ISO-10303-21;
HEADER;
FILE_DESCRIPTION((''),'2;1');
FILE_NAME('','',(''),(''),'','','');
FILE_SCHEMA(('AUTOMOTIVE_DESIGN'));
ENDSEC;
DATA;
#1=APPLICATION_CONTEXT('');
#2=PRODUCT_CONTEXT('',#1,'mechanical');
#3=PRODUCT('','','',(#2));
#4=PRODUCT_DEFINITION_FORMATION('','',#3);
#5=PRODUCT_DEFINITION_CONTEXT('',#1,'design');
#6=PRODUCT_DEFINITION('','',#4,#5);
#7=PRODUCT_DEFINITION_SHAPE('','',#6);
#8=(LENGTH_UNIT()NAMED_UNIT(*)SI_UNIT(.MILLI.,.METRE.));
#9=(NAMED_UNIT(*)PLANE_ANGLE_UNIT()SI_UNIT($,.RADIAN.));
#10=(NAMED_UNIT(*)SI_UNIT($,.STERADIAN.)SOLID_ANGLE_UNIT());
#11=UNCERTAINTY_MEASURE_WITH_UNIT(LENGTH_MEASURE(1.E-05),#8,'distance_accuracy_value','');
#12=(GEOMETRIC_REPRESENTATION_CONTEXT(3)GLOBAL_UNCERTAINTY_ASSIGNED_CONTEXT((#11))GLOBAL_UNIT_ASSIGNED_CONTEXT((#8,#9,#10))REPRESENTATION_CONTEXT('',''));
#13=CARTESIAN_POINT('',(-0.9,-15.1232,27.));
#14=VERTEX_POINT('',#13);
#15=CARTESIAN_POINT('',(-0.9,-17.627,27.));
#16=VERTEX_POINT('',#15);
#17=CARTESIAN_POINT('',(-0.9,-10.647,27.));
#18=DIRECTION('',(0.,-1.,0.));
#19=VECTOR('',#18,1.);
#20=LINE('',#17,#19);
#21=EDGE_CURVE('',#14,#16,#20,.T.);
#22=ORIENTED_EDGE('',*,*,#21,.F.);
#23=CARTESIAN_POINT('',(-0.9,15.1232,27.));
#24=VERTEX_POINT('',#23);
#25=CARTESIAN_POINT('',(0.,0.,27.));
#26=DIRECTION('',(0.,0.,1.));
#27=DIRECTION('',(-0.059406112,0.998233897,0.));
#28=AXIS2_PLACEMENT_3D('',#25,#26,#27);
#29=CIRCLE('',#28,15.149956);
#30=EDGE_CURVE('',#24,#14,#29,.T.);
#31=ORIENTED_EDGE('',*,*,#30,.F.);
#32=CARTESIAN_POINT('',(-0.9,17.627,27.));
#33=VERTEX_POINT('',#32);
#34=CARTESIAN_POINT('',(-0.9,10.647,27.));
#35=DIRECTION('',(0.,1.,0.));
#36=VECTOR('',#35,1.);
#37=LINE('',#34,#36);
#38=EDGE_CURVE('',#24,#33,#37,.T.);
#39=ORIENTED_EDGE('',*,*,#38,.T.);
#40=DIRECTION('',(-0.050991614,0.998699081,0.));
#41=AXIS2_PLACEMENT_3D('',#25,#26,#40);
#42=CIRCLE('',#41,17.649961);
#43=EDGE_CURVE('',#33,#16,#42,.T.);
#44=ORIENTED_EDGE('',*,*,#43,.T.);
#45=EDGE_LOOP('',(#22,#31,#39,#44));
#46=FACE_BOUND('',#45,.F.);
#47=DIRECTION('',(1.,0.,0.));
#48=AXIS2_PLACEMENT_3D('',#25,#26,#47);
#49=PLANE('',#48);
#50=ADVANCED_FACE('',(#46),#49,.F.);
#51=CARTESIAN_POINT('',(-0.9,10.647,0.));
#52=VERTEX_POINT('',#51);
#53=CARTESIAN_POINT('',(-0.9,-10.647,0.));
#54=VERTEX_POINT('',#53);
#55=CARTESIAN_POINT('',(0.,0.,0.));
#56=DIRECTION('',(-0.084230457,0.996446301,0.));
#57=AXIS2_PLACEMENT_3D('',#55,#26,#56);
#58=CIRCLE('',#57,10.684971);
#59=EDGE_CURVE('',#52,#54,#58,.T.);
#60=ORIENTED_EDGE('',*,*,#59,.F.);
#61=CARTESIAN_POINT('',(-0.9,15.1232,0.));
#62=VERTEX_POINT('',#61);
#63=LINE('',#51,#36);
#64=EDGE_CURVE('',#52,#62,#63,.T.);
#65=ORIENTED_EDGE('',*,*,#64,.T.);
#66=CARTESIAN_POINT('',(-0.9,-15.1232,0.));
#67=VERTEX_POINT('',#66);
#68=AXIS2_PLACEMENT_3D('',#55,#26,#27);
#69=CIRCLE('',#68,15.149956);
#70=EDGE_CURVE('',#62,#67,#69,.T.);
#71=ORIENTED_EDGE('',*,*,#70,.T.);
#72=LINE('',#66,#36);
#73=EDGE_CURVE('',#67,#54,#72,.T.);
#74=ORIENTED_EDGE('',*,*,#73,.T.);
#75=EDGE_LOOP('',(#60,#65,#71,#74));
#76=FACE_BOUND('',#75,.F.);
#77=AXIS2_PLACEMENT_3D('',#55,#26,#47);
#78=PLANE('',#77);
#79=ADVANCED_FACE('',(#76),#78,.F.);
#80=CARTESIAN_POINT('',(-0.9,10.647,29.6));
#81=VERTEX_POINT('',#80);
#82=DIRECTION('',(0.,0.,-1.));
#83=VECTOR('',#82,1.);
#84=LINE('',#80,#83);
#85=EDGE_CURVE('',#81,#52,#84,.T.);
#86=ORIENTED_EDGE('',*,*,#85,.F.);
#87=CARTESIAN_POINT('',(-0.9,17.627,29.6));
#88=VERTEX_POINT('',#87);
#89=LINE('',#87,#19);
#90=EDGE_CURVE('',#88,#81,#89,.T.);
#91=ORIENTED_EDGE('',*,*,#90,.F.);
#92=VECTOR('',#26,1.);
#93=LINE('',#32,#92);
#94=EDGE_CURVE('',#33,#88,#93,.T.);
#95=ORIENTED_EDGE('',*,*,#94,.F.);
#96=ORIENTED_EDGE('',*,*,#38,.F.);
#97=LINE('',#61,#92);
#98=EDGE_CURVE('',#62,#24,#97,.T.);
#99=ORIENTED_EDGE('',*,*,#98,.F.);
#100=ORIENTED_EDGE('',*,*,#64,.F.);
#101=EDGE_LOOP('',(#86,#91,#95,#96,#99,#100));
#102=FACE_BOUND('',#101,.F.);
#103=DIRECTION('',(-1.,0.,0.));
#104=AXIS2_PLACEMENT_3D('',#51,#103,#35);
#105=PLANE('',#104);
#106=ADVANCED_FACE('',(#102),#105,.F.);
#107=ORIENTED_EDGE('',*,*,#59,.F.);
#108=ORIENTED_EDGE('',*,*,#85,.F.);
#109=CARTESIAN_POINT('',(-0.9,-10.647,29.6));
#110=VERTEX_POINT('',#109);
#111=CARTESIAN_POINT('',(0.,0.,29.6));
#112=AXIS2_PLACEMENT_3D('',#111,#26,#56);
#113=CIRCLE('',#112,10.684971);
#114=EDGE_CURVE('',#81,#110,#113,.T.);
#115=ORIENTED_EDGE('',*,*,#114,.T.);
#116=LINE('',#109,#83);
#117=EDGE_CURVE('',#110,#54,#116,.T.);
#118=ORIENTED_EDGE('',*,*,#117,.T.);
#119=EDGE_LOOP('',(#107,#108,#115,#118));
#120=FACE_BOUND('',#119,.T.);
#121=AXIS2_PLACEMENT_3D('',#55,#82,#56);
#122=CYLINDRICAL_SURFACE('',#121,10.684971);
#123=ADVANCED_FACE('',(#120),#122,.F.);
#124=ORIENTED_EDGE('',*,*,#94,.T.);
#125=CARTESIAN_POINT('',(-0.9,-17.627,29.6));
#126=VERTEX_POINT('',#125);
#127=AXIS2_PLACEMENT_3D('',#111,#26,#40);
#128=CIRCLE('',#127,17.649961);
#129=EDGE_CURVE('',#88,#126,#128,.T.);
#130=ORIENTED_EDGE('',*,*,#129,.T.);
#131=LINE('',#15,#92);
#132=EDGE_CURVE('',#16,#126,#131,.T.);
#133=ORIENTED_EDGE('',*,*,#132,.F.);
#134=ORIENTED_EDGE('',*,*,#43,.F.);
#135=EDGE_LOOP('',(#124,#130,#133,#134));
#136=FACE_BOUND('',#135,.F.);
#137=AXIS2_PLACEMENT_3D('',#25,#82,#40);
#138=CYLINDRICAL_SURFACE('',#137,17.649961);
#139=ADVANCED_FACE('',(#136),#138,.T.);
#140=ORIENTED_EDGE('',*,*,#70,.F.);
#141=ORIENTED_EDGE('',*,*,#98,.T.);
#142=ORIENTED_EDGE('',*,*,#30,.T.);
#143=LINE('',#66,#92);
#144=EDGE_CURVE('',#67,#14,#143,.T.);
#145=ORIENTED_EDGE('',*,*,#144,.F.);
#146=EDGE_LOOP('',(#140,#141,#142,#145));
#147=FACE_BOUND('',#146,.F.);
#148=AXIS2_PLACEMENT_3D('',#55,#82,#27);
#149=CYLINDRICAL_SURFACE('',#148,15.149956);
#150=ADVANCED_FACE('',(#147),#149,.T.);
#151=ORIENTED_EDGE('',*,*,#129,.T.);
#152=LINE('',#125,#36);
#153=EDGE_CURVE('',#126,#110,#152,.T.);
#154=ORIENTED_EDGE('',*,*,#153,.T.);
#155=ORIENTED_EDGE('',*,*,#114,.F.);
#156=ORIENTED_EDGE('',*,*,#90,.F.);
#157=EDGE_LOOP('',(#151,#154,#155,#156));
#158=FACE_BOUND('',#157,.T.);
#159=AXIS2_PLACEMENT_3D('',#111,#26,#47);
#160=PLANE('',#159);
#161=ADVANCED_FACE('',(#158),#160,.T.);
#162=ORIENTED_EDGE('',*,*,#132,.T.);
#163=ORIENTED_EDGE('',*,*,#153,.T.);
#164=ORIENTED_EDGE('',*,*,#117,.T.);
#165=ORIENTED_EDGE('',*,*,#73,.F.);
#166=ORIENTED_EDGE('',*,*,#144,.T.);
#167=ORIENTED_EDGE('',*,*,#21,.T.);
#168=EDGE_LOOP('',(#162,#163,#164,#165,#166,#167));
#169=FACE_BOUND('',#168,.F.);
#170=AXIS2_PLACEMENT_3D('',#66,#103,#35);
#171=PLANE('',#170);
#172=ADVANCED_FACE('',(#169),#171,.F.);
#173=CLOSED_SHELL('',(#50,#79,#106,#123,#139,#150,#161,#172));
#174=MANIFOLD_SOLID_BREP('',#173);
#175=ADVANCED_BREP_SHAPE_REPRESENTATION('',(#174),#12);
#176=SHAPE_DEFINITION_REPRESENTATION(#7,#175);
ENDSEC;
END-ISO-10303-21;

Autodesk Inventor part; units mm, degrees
ref_plane "YZ Plane" through (0, 0, 0) normal (1, 0, 0) x (0, 1, 0)
ref_plane "XZ Plane" through (0, 0, 0) normal (0, 1, 0) x (-1, 0, 0)
ref_plane "XY Plane" through (0, 0, 0) normal (0, 0, 1) x (1, 0, 0)
sketch "Sketch1" plane through (0, 0, 0) normal (0, 0, 1) x (1, 0, 0)
  circle A0 centre (0, 0) radius 10.685 construction
  line L0 (-0.9, 10.647) -> (-0.9, -10.647) construction
  line L1 (-0.9, 10.647) -> (20.3941, 10.647) construction
  arc A1 (-0.9, 15.1232) -> (-0.9, -15.1232) centre (0, 0) ccw
  line L2 (-0.9, 10.647) -> (-0.9, 15.1232)
  line L3 (-0.9, -15.1232) -> (-0.9, -10.647)
  arc A2 (-0.9, 10.647) -> (-0.9, -10.647) centre (0, 0) ccw
  dimension "d0" = 21.37
  dimension "d1" = 90
  dimension "d2" = 0.9
  dimension "d3" = 15.15
extrude "Extrusion1" add sketch "Sketch1" along normal blind 27
sketch "Sketch2" plane through (0, 0, 27) normal (0, 0, 1) x (1, 0, 0)
  arc A0 (-0.9, 17.627) -> (-0.9, -17.627) centre (0, 0) ccw
  arc A1 (-0.9, 15.1232) -> (-0.9, -15.1232) centre (0, 0) ccw projected
  line L0 (-0.9, 10.647) -> (-0.9, 15.1232) projected
  line L1 (-0.9, 10.647) -> (-0.9, 17.627)
  line L2 (-0.9, -17.627) -> (-0.9, -10.647)
  arc A2 (-0.9, 10.647) -> (-0.9, -10.647) centre (0, 0) ccw projected
  arc A3 (-0.9, 10.647) -> (-0.9, -10.647) centre (0, 0) ccw
  point P0 (-0.9, 15.1232)
  dimension "d6" = 17.65
extrude "Extrusion2" add sketch "Sketch2" along normal blind 2.6
properties part number "Shim"
